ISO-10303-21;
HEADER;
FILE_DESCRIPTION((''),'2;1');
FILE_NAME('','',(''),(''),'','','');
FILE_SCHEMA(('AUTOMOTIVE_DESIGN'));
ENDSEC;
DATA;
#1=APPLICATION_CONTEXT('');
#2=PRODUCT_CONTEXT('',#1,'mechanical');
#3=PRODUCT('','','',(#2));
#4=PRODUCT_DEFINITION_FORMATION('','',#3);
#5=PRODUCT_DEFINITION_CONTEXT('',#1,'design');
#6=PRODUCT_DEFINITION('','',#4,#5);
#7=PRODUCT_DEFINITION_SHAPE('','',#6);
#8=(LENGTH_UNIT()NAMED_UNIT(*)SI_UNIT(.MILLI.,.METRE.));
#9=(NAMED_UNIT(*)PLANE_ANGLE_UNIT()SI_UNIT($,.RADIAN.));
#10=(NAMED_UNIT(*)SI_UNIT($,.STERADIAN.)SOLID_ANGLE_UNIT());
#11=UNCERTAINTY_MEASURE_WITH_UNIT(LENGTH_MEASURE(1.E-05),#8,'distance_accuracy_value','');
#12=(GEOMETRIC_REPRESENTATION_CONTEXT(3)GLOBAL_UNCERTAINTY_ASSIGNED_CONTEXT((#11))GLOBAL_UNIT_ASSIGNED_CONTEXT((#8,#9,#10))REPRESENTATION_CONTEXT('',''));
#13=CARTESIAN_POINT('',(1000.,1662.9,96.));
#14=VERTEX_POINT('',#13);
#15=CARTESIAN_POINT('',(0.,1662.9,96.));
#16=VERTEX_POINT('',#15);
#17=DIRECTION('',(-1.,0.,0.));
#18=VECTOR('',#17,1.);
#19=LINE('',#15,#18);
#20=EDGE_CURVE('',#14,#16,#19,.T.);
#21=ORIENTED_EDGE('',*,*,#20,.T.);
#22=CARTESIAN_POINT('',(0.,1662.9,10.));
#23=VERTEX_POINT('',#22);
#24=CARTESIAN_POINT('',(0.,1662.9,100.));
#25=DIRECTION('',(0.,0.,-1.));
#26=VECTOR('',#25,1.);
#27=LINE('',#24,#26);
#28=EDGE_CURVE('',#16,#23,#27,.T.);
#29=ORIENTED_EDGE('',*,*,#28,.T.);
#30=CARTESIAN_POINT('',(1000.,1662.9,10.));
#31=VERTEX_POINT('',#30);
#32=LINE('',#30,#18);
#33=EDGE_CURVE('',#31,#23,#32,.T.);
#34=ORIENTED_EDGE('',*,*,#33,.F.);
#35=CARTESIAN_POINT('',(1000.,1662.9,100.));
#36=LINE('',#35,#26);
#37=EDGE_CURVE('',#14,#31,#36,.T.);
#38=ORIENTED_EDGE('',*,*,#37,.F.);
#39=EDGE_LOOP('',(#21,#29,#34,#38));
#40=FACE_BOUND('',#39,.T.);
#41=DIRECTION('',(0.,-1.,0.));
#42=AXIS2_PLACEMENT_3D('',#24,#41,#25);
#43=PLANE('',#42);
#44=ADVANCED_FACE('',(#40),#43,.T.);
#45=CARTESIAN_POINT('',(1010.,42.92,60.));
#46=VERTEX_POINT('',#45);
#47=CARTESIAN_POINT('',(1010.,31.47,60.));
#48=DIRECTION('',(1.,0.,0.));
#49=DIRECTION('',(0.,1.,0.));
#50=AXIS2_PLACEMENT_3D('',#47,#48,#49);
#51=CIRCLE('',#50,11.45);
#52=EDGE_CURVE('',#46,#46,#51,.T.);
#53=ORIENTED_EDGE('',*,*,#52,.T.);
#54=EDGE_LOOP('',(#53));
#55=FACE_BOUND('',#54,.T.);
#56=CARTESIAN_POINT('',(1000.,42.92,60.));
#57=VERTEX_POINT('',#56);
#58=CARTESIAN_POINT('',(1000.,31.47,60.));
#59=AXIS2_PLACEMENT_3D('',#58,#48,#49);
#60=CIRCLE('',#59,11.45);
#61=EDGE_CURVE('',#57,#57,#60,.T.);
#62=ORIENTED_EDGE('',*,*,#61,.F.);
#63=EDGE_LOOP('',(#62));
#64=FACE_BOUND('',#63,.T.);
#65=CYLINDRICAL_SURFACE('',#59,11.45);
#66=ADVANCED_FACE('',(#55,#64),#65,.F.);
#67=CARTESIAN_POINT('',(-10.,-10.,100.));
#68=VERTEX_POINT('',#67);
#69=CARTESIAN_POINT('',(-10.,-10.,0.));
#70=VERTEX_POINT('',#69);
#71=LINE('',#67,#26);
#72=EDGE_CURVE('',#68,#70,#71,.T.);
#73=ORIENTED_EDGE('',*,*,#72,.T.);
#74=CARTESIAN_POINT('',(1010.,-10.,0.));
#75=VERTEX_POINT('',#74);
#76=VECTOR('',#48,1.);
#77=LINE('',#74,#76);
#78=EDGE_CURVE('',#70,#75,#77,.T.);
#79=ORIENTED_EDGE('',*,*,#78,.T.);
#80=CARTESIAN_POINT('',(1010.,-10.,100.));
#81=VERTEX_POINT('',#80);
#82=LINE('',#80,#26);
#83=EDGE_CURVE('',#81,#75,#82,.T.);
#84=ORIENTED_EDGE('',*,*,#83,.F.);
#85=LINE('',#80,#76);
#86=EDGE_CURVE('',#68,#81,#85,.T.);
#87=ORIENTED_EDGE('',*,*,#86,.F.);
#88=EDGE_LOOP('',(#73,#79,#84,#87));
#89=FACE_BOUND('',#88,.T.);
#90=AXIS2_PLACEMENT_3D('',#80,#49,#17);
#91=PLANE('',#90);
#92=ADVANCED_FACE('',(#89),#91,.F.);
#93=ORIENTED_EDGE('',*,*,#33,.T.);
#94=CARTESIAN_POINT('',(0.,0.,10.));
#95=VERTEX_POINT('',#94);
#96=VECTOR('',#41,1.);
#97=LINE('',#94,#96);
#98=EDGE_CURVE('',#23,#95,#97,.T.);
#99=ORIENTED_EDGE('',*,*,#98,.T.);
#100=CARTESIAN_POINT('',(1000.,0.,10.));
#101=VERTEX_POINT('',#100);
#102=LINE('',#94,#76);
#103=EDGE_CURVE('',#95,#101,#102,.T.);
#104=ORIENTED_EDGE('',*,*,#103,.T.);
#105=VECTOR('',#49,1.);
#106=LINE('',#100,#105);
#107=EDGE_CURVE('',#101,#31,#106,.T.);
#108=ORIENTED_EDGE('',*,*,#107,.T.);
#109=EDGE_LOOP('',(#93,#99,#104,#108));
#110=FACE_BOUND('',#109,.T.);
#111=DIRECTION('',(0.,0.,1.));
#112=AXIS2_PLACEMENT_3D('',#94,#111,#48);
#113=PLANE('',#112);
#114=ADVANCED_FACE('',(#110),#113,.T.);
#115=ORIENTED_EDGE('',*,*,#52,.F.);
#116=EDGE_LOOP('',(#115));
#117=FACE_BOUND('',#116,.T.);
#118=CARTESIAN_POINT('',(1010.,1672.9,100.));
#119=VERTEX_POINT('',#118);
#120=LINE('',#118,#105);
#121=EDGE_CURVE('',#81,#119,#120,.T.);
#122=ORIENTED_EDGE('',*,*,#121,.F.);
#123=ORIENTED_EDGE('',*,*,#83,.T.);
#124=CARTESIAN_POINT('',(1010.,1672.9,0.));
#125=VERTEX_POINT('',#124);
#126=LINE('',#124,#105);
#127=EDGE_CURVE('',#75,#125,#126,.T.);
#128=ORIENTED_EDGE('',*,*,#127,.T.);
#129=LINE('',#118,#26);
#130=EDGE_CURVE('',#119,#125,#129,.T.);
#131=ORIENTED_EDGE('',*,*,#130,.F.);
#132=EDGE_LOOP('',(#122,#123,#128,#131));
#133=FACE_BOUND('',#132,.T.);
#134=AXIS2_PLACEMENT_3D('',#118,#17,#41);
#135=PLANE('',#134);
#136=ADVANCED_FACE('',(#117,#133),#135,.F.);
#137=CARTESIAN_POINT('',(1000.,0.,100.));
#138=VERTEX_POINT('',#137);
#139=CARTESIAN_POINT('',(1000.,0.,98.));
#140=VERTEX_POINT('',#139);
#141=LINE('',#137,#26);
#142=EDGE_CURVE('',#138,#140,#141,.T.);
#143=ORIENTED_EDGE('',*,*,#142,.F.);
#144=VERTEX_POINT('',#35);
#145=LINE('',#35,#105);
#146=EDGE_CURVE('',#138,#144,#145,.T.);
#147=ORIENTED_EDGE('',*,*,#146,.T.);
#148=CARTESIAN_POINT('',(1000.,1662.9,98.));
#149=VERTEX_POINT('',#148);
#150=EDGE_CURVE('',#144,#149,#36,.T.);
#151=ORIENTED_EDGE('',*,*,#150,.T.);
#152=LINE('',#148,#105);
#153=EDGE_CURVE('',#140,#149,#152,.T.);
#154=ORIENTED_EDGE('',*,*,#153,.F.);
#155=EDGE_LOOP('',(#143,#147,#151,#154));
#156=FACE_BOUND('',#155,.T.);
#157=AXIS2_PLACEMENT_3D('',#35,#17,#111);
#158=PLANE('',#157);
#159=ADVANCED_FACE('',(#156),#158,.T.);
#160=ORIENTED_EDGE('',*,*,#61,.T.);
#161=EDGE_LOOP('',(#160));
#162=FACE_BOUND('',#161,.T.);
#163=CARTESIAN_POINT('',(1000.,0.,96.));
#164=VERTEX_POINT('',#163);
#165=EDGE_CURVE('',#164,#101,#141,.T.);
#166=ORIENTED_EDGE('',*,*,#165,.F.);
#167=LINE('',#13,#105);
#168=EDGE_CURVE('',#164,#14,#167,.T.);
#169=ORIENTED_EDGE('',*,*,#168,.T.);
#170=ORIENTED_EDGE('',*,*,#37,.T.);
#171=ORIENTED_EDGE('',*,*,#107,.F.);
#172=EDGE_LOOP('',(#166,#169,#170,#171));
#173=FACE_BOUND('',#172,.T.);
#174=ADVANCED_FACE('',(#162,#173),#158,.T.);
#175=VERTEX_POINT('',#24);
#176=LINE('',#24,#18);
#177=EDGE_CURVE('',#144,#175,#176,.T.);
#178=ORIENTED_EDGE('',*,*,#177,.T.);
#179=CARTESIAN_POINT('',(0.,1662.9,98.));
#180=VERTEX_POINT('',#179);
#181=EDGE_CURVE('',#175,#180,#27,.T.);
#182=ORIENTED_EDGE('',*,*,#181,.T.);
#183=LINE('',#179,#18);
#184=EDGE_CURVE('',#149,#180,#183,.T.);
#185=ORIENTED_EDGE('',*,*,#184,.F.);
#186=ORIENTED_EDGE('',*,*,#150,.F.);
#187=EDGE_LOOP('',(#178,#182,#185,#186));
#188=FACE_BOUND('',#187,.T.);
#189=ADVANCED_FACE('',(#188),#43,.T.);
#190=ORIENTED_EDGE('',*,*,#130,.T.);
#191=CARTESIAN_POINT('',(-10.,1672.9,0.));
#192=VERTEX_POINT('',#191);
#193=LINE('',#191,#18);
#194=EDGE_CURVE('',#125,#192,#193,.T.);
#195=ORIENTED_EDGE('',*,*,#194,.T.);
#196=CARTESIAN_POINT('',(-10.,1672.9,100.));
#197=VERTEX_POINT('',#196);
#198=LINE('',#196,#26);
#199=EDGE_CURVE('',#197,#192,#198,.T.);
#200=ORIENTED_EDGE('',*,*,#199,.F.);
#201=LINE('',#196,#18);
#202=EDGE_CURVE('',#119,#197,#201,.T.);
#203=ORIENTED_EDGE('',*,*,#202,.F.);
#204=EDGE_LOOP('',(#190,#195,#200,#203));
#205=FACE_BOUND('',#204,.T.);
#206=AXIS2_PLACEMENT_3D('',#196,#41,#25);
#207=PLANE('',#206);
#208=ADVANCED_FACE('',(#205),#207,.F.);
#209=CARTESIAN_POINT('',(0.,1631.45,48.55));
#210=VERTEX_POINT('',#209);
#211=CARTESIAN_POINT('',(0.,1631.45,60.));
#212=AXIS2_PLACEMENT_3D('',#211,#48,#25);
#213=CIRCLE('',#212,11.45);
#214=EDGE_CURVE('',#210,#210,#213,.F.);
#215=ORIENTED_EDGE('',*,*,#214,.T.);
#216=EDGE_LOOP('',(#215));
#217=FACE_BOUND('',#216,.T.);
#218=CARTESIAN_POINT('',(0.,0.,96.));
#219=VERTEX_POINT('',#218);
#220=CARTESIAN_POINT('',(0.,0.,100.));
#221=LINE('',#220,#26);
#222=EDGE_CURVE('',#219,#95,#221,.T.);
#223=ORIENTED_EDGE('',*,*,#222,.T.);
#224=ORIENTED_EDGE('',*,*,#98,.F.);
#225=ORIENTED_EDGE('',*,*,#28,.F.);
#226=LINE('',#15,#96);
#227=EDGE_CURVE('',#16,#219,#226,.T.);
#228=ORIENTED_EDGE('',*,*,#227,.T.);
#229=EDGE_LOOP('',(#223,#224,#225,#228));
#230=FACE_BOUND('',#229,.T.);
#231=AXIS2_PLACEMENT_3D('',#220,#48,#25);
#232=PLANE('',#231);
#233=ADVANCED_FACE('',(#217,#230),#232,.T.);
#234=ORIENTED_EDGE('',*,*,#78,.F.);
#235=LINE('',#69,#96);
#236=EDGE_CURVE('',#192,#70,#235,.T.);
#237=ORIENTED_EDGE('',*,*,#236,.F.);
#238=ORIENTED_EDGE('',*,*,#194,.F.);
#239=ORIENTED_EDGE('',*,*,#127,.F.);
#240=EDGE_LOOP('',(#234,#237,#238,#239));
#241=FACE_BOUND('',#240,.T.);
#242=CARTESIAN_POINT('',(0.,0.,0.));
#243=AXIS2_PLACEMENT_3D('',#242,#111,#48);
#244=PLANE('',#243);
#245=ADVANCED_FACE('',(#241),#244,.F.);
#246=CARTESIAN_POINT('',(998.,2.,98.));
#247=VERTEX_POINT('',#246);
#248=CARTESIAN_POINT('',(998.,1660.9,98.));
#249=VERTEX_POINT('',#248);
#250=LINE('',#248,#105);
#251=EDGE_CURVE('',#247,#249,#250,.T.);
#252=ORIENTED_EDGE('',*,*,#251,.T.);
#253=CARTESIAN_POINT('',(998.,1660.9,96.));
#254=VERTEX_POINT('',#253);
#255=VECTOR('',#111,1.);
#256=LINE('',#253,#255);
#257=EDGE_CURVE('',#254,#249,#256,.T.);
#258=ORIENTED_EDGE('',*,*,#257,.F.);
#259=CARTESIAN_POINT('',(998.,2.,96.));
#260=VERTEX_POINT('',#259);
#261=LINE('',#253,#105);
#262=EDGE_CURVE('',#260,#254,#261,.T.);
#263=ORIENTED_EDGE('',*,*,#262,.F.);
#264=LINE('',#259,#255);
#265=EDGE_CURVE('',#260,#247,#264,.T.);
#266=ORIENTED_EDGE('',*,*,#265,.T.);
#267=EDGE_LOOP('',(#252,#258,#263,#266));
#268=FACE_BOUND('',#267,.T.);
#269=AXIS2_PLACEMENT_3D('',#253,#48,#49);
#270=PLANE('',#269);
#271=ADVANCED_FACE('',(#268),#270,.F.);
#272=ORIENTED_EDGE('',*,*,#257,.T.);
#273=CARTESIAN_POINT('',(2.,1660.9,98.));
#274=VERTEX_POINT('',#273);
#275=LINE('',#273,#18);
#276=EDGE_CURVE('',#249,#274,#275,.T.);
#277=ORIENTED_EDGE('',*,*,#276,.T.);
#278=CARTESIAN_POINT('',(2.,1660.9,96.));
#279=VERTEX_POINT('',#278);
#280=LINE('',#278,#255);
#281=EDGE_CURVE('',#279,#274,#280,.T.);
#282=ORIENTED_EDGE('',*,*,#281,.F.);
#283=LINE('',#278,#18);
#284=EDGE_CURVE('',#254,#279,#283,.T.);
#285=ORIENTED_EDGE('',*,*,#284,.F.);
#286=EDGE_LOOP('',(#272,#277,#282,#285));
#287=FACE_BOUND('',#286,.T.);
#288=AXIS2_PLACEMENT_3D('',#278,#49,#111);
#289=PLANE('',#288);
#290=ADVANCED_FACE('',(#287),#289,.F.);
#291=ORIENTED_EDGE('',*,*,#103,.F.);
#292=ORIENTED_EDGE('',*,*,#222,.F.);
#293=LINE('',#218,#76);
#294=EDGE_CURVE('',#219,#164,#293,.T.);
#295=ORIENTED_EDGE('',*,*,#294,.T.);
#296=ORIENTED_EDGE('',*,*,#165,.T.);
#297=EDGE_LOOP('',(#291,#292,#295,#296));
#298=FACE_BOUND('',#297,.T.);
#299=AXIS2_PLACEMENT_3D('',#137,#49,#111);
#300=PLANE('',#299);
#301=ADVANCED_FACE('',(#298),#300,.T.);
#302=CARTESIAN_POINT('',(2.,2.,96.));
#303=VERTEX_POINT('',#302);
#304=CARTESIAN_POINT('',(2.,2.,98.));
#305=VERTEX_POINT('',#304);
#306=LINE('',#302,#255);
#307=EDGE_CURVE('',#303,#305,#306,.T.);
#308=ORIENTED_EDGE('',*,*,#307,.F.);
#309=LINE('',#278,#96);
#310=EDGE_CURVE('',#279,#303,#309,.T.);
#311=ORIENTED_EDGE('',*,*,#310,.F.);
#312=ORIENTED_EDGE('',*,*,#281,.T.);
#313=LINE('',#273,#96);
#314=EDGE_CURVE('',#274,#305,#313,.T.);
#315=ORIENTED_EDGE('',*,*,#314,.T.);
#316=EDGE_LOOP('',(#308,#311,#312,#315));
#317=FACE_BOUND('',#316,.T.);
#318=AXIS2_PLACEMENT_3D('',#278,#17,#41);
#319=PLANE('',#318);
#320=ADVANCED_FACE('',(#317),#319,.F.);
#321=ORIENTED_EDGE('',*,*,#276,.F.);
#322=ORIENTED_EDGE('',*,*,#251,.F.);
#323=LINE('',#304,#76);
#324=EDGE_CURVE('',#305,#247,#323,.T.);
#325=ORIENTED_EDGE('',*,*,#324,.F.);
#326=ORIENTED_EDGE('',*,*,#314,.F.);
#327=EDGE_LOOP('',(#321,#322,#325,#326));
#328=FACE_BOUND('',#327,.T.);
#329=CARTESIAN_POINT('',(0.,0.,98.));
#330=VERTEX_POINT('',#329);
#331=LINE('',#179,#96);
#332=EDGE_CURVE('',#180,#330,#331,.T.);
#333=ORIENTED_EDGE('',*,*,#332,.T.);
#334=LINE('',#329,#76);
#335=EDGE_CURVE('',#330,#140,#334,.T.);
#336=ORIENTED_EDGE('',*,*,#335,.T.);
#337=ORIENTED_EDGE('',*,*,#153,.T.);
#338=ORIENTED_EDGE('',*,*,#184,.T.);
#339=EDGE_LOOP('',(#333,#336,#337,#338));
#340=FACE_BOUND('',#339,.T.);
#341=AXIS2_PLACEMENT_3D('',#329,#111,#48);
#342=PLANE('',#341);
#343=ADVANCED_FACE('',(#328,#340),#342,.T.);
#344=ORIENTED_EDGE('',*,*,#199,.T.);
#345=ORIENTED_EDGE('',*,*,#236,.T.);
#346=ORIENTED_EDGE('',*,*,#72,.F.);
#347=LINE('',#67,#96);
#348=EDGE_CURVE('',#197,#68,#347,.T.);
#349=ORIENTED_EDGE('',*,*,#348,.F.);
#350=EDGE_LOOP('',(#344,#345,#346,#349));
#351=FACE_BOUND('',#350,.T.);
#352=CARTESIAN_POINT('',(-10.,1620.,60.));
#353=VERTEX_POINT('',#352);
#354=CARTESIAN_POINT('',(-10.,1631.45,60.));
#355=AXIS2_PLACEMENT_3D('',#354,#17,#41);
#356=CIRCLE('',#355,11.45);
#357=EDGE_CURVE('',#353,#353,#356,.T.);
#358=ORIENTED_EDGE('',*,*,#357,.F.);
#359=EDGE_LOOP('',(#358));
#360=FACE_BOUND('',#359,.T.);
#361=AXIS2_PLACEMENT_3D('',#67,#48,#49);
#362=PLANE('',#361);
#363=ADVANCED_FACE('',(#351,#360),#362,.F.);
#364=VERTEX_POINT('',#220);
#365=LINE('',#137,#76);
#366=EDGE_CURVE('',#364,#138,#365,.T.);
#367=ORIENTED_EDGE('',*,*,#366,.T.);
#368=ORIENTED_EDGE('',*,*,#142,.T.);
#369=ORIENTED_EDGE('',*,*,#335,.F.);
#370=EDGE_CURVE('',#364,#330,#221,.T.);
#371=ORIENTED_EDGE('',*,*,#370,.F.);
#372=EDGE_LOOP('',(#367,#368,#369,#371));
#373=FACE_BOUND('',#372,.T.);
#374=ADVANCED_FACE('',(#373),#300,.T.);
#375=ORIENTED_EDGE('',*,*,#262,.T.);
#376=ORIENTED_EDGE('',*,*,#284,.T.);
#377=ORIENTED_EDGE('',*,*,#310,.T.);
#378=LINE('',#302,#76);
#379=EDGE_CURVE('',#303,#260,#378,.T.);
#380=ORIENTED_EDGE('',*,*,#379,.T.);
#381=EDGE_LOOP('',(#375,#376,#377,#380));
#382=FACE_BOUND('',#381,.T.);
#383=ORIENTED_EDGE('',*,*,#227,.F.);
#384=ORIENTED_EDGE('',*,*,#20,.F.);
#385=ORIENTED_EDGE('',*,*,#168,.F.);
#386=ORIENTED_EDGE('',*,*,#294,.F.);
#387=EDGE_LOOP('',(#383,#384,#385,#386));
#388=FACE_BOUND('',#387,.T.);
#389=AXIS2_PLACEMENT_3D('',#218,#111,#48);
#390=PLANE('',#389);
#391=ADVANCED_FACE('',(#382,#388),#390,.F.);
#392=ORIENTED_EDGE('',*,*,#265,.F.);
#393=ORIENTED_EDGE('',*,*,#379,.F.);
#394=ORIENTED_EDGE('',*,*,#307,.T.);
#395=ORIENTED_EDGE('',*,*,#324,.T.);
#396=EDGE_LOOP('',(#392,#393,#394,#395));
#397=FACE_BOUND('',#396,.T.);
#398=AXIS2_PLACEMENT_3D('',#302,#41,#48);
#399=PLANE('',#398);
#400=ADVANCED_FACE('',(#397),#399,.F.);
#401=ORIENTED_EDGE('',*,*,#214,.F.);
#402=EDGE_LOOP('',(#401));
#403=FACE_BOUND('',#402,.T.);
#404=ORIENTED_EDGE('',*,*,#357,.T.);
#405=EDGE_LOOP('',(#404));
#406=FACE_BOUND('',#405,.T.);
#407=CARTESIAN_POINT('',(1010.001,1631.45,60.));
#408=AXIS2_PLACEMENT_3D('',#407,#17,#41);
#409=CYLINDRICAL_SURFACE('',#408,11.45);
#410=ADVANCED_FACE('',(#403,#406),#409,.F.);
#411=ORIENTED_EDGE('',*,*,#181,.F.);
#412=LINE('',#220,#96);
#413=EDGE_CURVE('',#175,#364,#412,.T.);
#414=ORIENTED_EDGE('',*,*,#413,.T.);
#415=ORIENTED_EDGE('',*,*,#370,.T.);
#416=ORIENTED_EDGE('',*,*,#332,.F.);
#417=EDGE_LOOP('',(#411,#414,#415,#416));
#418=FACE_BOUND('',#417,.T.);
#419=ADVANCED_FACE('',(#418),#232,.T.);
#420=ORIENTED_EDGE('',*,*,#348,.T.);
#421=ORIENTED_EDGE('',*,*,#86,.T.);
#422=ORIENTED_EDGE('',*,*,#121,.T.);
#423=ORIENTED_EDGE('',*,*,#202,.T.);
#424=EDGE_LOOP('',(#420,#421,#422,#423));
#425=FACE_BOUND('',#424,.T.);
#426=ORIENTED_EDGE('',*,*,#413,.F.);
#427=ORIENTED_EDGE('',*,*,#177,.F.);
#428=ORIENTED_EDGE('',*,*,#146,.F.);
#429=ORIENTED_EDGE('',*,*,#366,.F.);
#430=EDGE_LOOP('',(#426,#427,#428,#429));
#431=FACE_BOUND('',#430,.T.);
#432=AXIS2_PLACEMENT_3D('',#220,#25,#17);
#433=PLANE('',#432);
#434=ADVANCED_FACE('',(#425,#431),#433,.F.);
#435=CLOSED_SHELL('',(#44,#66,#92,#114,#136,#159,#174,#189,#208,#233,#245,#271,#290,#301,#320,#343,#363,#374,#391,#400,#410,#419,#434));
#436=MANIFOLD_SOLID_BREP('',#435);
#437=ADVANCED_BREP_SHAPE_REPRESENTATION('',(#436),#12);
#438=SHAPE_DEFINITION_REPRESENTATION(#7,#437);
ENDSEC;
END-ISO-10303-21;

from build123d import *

# Parameters (mm, degrees)
SKETCH1_W           = 1000
SKETCH1_H           = 1662.9
BOSS_EXTRUDE1_DEPTH = 10
SKETCH2_W           = 1020
SKETCH2_H           = 1682.9
SKETCH2_W_2         = 1000
SKETCH2_H_2         = 1662.9
BOSS_EXTRUDE2_DEPTH = 100
CUT_EXTRUDE1_REACH  = 1963.885
SKETCH3_R           = 11.45
SKETCH4_R           = 11.45
CUT_EXTRUDE2_DEPTH  = 10
SKETCH6_W           = 1000
SKETCH6_H           = 1662.9
SKETCH6_W_2         = 996
SKETCH6_H_2         = 1658.9
BOSS_EXTRUDE4_DEPTH = 2


with BuildPart() as part:
    # Sketch1 → Boss-Extrude1 (new body)
    with BuildSketch(Plane.XY):
        with Locations((500, 831.45)):
            Rectangle(SKETCH1_W, SKETCH1_H)
    extrude(amount=BOSS_EXTRUDE1_DEPTH)

    # Sketch2 → Boss-Extrude2 (add)
    with BuildSketch(Plane.XY):
        with Locations((500, 831.45)):
            Rectangle(SKETCH2_W, SKETCH2_H)
        with Locations((500, 831.45)):
            Rectangle(SKETCH2_W_2, SKETCH2_H_2, mode=Mode.SUBTRACT)
    extrude(amount=BOSS_EXTRUDE2_DEPTH)

    # Sketch3 → Cut-Extrude1 (cut, up to next)
    with BuildSketch(Plane.ZY.offset(10), mode=Mode.PRIVATE) as cut_extrude1_sk1:
        with Locations(Location((60, 1631.45, 0), (0, 0, 270))):
            Circle(SKETCH3_R)
    cut_extrude1_tool1 = extrude(cut_extrude1_sk1.sketch, amount=-CUT_EXTRUDE1_REACH, mode=Mode.PRIVATE) & part.part
    add(cut_extrude1_tool1.solids().sort_by_distance((-10, 1631.45, 60))[0], mode=Mode.SUBTRACT)

    # Sketch4 → Cut-Extrude2 (cut)
    with BuildSketch(Plane(origin=(1010, 0, 0), x_dir=(0, 0, -1), z_dir=(1, 0, 0))):
        with Locations(Location((-60, 31.47, 0), (0, 0, 90))):
            Circle(SKETCH4_R)
    extrude(amount=-CUT_EXTRUDE2_DEPTH, mode=Mode.SUBTRACT)

    # Sketch6 → Boss-Extrude4 (add)
    with BuildSketch(Plane.XY.offset(98)):
        with Locations((500, 831.45)):
            Rectangle(SKETCH6_W, SKETCH6_H)
        with Locations((500, 831.45)):
            Rectangle(SKETCH6_W_2, SKETCH6_H_2, mode=Mode.SUBTRACT)
    extrude(amount=-BOSS_EXTRUDE4_DEPTH)


solid = part.part
